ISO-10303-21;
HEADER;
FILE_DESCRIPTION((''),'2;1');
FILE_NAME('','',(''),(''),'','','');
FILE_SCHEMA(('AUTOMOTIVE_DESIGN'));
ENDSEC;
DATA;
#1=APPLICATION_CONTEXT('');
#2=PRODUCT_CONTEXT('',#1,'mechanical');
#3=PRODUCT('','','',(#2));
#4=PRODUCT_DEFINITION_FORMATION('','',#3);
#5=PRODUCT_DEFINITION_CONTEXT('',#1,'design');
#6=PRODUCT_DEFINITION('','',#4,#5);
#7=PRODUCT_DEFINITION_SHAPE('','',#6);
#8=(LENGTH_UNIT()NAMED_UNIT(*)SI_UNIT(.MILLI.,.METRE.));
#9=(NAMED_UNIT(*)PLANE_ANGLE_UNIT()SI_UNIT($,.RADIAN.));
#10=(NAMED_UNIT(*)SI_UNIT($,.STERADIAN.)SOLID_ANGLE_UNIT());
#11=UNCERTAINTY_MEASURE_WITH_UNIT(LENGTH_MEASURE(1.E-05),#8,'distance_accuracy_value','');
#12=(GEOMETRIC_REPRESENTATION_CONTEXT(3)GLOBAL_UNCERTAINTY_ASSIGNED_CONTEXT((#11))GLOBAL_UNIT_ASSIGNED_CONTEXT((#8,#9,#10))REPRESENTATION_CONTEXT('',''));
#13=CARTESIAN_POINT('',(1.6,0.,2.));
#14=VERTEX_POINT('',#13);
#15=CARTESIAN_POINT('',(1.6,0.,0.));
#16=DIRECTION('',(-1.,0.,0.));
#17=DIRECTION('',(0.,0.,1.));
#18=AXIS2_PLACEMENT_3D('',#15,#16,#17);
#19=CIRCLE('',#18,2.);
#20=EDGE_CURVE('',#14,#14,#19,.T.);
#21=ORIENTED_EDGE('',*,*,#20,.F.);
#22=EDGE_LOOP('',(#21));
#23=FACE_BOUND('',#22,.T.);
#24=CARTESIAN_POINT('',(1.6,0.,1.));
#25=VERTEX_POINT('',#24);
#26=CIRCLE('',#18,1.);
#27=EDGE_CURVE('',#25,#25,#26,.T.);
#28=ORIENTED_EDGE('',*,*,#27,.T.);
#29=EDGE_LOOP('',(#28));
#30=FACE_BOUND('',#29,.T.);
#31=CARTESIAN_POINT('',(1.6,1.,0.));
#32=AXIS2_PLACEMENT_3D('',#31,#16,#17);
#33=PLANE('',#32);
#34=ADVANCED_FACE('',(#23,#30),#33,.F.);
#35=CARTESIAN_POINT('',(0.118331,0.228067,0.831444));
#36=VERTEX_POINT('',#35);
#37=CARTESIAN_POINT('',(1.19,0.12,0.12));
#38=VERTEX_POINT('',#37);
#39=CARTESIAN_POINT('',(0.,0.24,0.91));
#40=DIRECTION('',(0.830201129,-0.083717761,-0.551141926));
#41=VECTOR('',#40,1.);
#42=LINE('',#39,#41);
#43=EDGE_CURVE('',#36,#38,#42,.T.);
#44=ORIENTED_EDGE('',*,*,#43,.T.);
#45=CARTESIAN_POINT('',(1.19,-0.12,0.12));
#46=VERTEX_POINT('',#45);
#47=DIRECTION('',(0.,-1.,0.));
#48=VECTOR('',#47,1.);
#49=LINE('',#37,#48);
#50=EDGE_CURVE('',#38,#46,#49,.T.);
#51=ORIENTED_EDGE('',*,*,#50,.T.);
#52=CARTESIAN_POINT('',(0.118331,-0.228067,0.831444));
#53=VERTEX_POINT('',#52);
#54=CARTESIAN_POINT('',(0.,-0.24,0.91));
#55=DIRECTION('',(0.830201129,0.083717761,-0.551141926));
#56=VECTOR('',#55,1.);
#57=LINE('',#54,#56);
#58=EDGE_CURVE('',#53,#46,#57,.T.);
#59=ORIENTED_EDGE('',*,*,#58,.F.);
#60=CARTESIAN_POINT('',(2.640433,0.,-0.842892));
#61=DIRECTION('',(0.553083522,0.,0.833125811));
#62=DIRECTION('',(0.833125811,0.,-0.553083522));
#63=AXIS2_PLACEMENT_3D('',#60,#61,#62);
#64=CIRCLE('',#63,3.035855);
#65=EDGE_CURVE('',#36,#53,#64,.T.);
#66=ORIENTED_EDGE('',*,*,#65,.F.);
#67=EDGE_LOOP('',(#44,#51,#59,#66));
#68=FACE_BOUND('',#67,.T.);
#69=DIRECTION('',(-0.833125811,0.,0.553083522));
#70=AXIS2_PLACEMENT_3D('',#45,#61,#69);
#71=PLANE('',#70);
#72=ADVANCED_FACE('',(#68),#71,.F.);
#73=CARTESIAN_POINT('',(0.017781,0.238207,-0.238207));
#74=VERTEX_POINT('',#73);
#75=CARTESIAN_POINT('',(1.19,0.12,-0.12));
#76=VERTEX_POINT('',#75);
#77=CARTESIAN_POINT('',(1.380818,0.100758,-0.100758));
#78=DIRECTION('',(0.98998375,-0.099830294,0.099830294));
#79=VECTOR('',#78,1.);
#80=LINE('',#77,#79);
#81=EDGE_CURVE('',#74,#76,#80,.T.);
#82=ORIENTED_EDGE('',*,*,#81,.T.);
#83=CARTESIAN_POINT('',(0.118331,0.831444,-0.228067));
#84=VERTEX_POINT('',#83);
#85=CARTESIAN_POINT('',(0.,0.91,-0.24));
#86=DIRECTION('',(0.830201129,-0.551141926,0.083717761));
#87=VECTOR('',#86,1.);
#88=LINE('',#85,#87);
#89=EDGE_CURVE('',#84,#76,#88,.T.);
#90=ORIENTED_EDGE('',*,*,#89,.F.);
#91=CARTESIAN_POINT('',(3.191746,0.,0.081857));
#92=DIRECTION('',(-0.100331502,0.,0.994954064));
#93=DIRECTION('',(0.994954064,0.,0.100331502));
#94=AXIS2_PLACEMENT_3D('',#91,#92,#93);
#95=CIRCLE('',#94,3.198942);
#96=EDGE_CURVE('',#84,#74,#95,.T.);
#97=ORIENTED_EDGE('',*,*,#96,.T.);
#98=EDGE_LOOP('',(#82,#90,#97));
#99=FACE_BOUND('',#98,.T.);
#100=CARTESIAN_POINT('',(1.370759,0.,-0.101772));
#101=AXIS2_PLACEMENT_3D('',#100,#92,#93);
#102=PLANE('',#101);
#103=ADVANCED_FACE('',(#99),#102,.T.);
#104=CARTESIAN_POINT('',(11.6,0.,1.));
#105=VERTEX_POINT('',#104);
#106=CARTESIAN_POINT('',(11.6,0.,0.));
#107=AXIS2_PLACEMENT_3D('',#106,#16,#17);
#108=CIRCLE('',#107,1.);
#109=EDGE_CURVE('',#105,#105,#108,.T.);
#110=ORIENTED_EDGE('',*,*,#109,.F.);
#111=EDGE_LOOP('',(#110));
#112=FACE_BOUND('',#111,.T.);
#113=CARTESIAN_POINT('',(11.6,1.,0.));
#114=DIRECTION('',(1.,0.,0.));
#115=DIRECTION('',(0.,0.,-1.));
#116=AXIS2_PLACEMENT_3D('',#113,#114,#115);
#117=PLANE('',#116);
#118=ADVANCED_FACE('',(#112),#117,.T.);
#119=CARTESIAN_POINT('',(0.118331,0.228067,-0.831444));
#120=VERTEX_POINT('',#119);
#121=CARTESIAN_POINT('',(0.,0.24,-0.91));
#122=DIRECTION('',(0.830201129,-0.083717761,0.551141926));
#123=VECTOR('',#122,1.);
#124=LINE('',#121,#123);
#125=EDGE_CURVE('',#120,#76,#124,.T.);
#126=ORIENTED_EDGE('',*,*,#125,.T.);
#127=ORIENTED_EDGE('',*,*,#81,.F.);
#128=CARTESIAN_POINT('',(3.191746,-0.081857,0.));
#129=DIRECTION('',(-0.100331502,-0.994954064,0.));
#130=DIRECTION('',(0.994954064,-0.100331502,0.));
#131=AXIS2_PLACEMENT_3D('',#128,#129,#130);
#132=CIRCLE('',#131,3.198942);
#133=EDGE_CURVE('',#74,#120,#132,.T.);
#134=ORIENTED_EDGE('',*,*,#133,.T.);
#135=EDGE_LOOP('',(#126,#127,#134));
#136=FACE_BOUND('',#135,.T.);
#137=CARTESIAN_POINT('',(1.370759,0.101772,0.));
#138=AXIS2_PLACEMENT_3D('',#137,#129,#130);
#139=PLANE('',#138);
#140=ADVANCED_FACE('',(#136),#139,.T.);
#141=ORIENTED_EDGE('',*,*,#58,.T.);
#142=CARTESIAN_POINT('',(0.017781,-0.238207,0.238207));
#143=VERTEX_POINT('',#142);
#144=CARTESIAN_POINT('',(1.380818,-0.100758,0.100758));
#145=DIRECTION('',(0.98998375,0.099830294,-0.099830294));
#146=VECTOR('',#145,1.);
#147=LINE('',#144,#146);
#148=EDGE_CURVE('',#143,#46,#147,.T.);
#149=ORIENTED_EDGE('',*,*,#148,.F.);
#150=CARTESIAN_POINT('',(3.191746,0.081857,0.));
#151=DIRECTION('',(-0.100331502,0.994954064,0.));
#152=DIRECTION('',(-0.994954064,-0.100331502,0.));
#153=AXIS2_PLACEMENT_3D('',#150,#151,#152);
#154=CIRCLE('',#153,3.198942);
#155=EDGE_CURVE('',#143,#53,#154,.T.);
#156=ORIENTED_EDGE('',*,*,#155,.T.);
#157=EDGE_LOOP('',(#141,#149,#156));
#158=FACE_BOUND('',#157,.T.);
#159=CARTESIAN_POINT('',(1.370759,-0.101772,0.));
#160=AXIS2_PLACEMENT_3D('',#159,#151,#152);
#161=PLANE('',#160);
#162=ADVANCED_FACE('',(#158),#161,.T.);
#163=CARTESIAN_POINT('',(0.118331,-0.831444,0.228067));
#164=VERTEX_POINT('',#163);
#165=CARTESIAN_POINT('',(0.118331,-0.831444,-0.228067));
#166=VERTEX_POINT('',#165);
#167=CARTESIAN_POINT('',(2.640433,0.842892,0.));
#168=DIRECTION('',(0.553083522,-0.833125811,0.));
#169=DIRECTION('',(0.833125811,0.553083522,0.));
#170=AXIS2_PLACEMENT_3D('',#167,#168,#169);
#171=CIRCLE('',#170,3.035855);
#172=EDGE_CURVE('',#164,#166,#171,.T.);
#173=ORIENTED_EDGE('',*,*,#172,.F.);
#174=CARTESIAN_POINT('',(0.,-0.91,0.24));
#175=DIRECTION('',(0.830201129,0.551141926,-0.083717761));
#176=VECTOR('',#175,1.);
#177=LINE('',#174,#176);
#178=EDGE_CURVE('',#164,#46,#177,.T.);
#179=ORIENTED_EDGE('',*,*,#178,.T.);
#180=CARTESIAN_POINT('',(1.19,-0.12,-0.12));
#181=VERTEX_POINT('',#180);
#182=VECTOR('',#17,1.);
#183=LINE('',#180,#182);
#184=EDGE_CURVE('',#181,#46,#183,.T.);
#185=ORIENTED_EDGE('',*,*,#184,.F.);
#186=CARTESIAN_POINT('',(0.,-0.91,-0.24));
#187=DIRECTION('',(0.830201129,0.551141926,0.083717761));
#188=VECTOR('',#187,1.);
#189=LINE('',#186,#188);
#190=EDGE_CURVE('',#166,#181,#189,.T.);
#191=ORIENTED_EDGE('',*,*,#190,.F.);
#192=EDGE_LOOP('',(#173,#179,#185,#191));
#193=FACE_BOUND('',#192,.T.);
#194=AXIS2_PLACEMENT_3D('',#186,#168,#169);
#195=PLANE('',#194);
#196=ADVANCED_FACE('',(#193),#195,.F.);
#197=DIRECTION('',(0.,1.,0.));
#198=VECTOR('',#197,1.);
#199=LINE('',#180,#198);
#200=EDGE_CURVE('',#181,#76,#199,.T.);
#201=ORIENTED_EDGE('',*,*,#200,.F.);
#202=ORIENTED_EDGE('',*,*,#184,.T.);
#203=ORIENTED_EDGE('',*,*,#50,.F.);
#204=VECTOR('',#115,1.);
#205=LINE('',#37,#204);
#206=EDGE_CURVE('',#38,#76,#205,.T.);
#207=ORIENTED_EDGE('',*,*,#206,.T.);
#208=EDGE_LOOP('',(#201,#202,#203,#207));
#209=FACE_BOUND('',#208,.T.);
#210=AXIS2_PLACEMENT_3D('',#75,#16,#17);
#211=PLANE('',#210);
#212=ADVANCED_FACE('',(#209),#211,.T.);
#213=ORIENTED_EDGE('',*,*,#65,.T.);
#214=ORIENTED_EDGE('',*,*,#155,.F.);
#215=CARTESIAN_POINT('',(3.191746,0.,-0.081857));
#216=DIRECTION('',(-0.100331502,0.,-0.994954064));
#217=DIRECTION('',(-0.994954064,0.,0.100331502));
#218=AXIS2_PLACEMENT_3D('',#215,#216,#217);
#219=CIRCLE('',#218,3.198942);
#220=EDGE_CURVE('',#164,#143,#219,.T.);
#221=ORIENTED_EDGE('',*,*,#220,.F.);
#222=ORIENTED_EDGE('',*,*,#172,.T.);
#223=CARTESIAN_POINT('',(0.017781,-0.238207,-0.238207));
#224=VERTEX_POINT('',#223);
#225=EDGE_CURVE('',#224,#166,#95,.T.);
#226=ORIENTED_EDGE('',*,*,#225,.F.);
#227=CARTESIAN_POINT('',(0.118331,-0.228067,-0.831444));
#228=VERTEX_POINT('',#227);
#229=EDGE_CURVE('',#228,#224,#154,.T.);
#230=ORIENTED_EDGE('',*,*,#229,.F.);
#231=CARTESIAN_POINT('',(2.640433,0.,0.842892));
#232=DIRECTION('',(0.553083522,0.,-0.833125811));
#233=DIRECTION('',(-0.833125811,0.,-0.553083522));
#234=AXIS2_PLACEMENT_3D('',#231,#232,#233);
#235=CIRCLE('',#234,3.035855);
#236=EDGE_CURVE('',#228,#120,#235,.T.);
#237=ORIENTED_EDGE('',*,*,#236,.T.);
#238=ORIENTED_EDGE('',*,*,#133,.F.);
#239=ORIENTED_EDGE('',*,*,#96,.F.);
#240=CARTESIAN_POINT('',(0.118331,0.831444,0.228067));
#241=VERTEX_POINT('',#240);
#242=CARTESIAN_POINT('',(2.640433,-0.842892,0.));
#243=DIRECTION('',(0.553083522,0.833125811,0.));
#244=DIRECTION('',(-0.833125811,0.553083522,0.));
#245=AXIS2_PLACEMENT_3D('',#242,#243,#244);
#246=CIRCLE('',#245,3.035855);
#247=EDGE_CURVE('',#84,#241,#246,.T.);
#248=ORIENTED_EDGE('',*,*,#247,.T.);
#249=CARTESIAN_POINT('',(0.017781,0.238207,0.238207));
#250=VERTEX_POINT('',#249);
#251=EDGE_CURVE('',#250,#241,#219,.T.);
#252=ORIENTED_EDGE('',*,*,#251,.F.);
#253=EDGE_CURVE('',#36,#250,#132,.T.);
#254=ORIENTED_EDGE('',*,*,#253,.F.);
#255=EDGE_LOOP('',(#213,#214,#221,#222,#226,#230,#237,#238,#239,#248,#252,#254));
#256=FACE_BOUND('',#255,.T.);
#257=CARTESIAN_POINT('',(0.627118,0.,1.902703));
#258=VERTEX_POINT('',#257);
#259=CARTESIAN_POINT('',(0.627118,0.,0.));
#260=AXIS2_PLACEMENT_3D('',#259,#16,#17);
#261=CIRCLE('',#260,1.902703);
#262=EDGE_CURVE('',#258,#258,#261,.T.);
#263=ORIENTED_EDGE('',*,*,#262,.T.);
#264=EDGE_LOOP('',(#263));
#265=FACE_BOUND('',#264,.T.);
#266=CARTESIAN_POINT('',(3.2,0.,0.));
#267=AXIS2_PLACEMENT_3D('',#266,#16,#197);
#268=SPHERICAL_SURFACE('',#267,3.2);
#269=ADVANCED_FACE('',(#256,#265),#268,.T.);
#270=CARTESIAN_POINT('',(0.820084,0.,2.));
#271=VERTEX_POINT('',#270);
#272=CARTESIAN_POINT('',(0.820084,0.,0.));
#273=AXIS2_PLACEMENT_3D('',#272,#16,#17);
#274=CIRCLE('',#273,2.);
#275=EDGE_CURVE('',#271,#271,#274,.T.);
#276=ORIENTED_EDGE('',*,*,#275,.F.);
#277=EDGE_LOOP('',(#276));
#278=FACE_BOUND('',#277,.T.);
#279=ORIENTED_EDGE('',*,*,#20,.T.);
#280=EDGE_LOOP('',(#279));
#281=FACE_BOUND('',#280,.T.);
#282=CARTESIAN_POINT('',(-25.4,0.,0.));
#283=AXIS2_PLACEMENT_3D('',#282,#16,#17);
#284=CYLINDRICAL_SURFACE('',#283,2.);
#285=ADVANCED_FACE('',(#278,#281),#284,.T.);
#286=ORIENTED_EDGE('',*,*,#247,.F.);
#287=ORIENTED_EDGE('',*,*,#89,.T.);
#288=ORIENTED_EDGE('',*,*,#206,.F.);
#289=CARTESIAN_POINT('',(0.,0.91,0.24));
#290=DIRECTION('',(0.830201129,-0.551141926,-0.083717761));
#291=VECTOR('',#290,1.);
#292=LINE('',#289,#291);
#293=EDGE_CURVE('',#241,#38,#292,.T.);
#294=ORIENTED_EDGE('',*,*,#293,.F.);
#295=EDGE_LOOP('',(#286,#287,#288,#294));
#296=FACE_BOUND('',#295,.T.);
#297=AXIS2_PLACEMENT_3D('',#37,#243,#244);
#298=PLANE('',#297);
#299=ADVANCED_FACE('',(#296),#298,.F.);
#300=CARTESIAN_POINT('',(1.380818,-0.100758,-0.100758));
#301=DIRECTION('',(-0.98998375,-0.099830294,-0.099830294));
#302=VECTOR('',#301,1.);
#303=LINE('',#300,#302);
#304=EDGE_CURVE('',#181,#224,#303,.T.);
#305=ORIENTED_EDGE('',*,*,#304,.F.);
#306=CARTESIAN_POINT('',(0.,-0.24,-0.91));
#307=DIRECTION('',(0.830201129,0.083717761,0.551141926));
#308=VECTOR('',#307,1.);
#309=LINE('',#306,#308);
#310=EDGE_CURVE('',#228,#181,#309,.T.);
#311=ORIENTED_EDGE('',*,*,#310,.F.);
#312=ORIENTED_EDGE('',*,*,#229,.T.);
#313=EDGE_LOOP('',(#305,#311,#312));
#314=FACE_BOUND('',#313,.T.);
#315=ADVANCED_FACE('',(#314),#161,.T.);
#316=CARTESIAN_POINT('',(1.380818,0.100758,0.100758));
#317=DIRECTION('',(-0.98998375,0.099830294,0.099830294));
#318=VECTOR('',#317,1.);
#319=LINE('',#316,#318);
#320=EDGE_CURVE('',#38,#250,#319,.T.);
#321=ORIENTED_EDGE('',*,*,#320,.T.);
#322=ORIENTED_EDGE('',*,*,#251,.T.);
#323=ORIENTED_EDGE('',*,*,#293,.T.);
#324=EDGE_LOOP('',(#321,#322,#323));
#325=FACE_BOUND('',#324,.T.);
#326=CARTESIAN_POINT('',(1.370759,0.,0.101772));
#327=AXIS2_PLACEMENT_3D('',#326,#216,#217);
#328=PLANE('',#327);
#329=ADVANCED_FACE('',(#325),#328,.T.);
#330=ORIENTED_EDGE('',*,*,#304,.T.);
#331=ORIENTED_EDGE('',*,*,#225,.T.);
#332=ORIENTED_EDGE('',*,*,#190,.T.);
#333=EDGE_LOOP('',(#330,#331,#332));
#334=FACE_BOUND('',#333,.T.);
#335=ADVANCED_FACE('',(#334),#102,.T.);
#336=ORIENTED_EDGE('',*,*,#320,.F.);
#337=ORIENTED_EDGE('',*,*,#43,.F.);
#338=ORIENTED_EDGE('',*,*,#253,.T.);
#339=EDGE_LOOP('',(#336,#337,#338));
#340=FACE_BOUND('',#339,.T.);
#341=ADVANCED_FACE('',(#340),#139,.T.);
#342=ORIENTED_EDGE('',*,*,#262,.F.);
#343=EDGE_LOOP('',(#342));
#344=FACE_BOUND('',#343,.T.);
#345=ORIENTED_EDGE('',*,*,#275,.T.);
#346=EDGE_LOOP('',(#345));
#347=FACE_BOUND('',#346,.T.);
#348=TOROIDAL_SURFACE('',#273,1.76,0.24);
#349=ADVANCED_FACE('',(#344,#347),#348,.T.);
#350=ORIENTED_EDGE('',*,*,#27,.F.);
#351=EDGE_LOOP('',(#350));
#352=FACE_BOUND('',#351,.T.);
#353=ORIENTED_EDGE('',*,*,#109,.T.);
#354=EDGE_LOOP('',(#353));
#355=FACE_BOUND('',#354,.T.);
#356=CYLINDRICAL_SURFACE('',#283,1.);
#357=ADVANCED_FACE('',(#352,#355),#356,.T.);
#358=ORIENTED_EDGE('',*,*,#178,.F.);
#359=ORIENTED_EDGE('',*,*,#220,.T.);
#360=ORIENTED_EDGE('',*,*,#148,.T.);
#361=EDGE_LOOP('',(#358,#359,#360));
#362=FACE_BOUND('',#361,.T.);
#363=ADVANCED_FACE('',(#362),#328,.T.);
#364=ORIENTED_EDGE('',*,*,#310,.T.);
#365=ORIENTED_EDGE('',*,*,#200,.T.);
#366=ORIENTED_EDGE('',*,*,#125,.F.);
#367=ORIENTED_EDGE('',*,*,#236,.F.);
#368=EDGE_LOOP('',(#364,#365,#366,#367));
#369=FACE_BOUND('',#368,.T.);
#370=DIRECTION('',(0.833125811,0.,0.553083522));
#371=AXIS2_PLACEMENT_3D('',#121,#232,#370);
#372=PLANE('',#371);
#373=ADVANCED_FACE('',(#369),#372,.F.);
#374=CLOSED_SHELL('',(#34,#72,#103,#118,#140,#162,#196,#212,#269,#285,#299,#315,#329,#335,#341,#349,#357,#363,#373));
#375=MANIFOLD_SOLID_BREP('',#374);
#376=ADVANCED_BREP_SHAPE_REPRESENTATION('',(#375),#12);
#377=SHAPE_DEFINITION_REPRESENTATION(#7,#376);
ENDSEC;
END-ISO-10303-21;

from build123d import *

# Parameters (mm, degrees)
SKETCH3_W         = 0.48
SKETCH3_H         = 1.82
SKETCH4_W         = 0.24
SKETCH4_H         = 0.24
CIRPATTERN1_COUNT = 2
CIRPATTERN1_ANGLE = 90


with BuildPart() as part:
    # BodySke → Base-Revolve (revolve)
    with BuildSketch(Plane.XY):
        with BuildLine():
            Line((1.6, 1), (1.6, 2))
            Line((1.6, 2), (0.820084035, 2))
            ThreePointArc((0.820084035, 2), (0.712029995, 1.974299613), (0.627117876, 1.902702703))
            ThreePointArc((0.627117876, 1.902702703), (0.160820604, 1.001692868), (0, 0))
            Line((0, 0), (11.6, 0))
            Line((11.6, 0), (11.6, 1))
            Line((11.6, 1), (1.6, 1))
        make_face()
    revolve(axis=Axis((-25.4, 0, 0), (1, 0, 0)))

    # Sketch3 → Cut-Loft1 section 0
    with BuildSketch(Plane(origin=(0, 0, 0), x_dir=(0, 0, -1), z_dir=(1, 0, 0))):
        Rectangle(SKETCH3_W, SKETCH3_H)
    # Sketch4 → Cut-Loft1 section 1
    with BuildSketch(Plane(origin=(1.19, 0, 0), x_dir=(0, 0, -1), z_dir=(1, 0, 0))):
        Rectangle(SKETCH4_W, SKETCH4_H)
    cut_loft1 = loft(mode=Mode.SUBTRACT)

    # CirPattern1: Cut-Loft1 ×2 about axis
    cirpattern1_axis = Axis((0, 0, 0), (1, 0, 0))
    for i in range(1, CIRPATTERN1_COUNT):
        add(cut_loft1.rotate(cirpattern1_axis, i * CIRPATTERN1_ANGLE / (CIRPATTERN1_COUNT - 1)), mode=Mode.SUBTRACT)


solid = part.part
